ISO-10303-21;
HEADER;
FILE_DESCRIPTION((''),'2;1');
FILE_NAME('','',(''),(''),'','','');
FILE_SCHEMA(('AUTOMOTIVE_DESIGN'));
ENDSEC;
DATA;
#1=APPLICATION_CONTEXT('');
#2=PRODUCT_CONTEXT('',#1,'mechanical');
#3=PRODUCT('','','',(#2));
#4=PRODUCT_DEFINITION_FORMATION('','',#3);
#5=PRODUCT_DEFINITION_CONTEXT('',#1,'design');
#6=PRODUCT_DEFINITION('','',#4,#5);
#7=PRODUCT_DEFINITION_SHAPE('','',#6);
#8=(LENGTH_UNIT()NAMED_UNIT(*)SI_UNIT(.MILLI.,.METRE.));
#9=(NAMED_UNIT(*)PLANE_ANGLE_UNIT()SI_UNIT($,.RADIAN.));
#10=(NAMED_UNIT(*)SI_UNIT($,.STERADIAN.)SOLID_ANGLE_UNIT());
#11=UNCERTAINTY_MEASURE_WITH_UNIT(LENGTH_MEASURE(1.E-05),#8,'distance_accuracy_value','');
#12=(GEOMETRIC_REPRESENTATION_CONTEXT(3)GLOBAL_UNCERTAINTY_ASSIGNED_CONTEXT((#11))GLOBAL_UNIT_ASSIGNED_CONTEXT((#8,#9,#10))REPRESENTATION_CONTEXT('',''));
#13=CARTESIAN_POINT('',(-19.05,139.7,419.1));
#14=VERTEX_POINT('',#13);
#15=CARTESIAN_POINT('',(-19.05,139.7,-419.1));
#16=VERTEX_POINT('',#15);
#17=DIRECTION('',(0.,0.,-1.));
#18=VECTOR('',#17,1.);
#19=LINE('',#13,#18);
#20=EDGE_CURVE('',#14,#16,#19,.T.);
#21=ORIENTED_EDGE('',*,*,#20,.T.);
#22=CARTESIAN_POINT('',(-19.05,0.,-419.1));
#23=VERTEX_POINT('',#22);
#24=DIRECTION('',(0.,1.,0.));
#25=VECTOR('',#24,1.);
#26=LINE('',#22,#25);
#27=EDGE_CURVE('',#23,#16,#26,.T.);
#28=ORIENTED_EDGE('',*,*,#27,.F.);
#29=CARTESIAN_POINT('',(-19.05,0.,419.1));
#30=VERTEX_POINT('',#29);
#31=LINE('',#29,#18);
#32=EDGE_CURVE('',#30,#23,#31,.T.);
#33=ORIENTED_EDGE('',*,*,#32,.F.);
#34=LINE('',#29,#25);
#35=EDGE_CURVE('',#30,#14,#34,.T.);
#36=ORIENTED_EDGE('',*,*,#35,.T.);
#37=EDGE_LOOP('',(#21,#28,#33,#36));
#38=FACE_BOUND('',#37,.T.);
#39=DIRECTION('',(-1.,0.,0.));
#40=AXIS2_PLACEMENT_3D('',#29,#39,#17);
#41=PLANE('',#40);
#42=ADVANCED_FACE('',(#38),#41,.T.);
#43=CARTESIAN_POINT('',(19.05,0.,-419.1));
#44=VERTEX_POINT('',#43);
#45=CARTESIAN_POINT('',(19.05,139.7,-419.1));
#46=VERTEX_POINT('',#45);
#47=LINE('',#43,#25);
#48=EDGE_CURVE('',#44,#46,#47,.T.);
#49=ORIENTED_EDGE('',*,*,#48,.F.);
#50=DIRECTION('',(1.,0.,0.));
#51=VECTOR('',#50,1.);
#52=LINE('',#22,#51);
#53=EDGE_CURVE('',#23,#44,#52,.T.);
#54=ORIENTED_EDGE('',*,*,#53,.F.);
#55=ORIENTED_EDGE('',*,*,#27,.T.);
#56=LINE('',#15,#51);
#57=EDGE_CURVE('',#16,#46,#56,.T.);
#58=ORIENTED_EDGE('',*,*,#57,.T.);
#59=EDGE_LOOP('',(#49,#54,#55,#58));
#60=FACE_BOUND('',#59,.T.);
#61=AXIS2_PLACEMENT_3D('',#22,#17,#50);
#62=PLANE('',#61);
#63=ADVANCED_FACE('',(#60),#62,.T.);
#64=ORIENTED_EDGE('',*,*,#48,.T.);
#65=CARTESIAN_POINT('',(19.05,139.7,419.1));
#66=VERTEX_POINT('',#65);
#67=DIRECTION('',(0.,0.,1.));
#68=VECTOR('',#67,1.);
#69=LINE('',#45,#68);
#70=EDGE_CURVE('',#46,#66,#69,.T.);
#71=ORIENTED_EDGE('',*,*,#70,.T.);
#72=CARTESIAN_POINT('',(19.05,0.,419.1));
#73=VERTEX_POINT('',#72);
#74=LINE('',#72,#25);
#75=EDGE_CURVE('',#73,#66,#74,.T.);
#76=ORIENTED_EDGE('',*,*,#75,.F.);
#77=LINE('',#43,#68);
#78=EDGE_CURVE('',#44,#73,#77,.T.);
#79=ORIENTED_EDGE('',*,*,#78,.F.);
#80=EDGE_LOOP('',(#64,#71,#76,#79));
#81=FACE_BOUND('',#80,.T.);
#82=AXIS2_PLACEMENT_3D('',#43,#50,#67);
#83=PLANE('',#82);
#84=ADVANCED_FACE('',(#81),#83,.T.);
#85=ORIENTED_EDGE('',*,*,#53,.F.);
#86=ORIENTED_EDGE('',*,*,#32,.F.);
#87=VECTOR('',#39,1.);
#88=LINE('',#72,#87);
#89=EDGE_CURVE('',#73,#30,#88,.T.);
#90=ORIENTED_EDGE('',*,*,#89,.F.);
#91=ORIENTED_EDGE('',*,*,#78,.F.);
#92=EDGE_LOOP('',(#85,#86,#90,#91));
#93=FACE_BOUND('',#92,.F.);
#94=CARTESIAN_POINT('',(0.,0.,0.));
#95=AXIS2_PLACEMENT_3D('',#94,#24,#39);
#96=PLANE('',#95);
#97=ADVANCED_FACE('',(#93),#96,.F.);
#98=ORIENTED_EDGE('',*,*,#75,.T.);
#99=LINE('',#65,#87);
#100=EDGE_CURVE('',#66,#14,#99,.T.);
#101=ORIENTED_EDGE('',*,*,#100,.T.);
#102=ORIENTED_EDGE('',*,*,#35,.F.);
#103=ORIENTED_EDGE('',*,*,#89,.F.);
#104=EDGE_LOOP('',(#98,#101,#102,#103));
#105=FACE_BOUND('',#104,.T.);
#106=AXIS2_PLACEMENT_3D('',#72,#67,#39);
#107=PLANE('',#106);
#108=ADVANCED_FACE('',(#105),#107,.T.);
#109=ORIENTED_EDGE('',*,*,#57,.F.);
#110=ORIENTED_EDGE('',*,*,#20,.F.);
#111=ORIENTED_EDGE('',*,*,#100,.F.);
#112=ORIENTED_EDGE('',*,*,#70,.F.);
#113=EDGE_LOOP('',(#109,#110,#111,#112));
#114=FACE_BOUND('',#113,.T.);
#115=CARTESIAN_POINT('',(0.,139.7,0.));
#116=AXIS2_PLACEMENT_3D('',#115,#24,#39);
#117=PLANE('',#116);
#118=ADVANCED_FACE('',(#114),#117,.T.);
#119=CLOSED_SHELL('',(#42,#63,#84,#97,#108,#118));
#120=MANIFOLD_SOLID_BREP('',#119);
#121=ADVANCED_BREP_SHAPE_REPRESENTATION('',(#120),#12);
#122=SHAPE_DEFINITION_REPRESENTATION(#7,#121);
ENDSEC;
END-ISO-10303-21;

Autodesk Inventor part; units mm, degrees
ref_plane "YZ Plane" through (0, 0, 0) normal (1, 0, 0) x (0, 1, 0)
ref_plane "XZ Plane" through (0, 0, 0) normal (0, 1, 0) x (-1, 0, 0)
ref_plane "XY Plane" through (0, 0, 0) normal (0, 0, 1) x (1, 0, 0)
sketch "Sketch1" plane through (0, 0, 0) normal (0, 1, 0) x (-1, 0, 0)
  line L0 (-19.05, 419.1) -> (19.05, 419.1)
  line L1 (19.05, 419.1) -> (19.05, -419.1)
  line L2 (19.05, -419.1) -> (-19.05, -419.1)
  line L3 (-19.05, -419.1) -> (-19.05, 419.1)
  line L4 (-19.05, 419.1) -> (19.05, -419.1) construction
  line L5 (19.05, 419.1) -> (-19.05, -419.1) construction
  point P0 (0, 0)
  dimension "d0" = 38.1
  dimension "d1" = 838.2
extrude "Extrusion1" add sketch "Sketch1" along normal blind 139.7
properties part number "2x6x3'" material "Wood (Oak)"
